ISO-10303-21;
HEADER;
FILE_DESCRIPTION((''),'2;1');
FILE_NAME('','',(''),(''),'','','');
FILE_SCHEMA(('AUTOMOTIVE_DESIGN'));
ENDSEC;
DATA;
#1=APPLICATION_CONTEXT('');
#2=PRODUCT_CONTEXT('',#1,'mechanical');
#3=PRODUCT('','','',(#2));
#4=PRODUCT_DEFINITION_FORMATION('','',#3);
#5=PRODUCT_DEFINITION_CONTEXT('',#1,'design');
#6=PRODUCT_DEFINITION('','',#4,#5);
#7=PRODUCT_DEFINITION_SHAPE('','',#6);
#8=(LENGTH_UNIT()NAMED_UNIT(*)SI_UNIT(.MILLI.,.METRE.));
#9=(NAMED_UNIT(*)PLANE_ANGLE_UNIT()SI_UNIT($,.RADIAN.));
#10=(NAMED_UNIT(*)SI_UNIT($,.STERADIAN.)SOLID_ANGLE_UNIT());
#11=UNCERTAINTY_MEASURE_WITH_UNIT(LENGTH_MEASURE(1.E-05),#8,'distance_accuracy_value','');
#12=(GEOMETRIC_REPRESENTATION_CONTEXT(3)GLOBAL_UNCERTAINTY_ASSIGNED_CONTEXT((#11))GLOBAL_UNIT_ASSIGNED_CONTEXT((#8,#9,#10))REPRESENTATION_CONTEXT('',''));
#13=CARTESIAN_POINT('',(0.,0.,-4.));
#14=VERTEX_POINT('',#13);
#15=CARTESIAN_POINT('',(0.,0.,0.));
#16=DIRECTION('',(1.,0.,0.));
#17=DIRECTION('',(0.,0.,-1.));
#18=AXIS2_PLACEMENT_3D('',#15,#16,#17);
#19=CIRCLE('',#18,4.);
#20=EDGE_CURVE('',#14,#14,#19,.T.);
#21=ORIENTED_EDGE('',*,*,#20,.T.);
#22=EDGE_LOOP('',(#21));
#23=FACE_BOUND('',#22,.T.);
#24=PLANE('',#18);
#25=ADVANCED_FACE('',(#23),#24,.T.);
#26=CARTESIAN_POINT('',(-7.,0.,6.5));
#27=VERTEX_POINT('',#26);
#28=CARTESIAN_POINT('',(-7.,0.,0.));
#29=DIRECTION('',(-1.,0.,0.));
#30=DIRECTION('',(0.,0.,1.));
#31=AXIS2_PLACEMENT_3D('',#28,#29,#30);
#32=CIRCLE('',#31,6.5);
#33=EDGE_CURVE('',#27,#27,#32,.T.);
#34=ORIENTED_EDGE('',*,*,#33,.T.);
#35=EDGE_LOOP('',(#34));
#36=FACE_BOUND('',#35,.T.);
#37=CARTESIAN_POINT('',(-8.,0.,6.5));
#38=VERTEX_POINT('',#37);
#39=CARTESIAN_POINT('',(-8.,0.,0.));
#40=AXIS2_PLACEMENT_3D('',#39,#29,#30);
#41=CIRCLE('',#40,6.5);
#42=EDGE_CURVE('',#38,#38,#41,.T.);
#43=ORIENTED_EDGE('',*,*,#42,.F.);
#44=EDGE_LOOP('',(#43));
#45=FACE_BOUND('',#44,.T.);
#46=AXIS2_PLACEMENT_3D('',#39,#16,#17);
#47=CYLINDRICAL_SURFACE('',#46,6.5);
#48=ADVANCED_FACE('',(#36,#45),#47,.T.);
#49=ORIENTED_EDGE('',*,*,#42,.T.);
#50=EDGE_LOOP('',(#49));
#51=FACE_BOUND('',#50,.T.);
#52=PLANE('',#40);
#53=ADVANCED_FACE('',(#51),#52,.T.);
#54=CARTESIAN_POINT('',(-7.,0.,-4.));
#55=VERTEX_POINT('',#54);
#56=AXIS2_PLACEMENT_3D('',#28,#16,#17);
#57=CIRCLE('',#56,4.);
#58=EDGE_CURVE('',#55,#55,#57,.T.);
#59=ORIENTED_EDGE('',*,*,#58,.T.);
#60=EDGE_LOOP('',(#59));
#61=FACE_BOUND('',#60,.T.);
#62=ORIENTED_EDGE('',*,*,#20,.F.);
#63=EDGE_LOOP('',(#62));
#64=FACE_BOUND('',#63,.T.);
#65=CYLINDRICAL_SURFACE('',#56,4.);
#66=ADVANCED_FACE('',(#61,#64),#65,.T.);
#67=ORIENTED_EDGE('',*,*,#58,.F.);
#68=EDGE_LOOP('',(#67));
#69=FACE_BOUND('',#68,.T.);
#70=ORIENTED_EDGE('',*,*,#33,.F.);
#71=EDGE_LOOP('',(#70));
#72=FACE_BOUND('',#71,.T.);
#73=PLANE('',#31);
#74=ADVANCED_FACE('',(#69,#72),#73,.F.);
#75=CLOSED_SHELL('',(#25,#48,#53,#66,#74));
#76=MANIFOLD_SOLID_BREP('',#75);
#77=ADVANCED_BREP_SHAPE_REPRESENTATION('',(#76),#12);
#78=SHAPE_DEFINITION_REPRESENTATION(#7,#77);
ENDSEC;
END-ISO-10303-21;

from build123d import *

# Parameters (mm, degrees)
SKETCH2_R           = 4
BOSS_EXTRUDE1_DEPTH = 7
SKETCH3_R           = 6.5
BOSS_EXTRUDE2_DEPTH = 1


with BuildPart() as part:
    # Sketch2 → Boss-Extrude1 (new body)
    with BuildSketch(Plane(origin=(0, 0, 0), x_dir=(0, 0, -1), z_dir=(1, 0, 0))):
        Circle(SKETCH2_R)
    extrude(amount=-BOSS_EXTRUDE1_DEPTH)

    # Sketch3 → Boss-Extrude2 (add)
    with BuildSketch(Plane.ZY.offset(7)):
        Circle(SKETCH3_R)
    extrude(amount=BOSS_EXTRUDE2_DEPTH)


solid = part.part
